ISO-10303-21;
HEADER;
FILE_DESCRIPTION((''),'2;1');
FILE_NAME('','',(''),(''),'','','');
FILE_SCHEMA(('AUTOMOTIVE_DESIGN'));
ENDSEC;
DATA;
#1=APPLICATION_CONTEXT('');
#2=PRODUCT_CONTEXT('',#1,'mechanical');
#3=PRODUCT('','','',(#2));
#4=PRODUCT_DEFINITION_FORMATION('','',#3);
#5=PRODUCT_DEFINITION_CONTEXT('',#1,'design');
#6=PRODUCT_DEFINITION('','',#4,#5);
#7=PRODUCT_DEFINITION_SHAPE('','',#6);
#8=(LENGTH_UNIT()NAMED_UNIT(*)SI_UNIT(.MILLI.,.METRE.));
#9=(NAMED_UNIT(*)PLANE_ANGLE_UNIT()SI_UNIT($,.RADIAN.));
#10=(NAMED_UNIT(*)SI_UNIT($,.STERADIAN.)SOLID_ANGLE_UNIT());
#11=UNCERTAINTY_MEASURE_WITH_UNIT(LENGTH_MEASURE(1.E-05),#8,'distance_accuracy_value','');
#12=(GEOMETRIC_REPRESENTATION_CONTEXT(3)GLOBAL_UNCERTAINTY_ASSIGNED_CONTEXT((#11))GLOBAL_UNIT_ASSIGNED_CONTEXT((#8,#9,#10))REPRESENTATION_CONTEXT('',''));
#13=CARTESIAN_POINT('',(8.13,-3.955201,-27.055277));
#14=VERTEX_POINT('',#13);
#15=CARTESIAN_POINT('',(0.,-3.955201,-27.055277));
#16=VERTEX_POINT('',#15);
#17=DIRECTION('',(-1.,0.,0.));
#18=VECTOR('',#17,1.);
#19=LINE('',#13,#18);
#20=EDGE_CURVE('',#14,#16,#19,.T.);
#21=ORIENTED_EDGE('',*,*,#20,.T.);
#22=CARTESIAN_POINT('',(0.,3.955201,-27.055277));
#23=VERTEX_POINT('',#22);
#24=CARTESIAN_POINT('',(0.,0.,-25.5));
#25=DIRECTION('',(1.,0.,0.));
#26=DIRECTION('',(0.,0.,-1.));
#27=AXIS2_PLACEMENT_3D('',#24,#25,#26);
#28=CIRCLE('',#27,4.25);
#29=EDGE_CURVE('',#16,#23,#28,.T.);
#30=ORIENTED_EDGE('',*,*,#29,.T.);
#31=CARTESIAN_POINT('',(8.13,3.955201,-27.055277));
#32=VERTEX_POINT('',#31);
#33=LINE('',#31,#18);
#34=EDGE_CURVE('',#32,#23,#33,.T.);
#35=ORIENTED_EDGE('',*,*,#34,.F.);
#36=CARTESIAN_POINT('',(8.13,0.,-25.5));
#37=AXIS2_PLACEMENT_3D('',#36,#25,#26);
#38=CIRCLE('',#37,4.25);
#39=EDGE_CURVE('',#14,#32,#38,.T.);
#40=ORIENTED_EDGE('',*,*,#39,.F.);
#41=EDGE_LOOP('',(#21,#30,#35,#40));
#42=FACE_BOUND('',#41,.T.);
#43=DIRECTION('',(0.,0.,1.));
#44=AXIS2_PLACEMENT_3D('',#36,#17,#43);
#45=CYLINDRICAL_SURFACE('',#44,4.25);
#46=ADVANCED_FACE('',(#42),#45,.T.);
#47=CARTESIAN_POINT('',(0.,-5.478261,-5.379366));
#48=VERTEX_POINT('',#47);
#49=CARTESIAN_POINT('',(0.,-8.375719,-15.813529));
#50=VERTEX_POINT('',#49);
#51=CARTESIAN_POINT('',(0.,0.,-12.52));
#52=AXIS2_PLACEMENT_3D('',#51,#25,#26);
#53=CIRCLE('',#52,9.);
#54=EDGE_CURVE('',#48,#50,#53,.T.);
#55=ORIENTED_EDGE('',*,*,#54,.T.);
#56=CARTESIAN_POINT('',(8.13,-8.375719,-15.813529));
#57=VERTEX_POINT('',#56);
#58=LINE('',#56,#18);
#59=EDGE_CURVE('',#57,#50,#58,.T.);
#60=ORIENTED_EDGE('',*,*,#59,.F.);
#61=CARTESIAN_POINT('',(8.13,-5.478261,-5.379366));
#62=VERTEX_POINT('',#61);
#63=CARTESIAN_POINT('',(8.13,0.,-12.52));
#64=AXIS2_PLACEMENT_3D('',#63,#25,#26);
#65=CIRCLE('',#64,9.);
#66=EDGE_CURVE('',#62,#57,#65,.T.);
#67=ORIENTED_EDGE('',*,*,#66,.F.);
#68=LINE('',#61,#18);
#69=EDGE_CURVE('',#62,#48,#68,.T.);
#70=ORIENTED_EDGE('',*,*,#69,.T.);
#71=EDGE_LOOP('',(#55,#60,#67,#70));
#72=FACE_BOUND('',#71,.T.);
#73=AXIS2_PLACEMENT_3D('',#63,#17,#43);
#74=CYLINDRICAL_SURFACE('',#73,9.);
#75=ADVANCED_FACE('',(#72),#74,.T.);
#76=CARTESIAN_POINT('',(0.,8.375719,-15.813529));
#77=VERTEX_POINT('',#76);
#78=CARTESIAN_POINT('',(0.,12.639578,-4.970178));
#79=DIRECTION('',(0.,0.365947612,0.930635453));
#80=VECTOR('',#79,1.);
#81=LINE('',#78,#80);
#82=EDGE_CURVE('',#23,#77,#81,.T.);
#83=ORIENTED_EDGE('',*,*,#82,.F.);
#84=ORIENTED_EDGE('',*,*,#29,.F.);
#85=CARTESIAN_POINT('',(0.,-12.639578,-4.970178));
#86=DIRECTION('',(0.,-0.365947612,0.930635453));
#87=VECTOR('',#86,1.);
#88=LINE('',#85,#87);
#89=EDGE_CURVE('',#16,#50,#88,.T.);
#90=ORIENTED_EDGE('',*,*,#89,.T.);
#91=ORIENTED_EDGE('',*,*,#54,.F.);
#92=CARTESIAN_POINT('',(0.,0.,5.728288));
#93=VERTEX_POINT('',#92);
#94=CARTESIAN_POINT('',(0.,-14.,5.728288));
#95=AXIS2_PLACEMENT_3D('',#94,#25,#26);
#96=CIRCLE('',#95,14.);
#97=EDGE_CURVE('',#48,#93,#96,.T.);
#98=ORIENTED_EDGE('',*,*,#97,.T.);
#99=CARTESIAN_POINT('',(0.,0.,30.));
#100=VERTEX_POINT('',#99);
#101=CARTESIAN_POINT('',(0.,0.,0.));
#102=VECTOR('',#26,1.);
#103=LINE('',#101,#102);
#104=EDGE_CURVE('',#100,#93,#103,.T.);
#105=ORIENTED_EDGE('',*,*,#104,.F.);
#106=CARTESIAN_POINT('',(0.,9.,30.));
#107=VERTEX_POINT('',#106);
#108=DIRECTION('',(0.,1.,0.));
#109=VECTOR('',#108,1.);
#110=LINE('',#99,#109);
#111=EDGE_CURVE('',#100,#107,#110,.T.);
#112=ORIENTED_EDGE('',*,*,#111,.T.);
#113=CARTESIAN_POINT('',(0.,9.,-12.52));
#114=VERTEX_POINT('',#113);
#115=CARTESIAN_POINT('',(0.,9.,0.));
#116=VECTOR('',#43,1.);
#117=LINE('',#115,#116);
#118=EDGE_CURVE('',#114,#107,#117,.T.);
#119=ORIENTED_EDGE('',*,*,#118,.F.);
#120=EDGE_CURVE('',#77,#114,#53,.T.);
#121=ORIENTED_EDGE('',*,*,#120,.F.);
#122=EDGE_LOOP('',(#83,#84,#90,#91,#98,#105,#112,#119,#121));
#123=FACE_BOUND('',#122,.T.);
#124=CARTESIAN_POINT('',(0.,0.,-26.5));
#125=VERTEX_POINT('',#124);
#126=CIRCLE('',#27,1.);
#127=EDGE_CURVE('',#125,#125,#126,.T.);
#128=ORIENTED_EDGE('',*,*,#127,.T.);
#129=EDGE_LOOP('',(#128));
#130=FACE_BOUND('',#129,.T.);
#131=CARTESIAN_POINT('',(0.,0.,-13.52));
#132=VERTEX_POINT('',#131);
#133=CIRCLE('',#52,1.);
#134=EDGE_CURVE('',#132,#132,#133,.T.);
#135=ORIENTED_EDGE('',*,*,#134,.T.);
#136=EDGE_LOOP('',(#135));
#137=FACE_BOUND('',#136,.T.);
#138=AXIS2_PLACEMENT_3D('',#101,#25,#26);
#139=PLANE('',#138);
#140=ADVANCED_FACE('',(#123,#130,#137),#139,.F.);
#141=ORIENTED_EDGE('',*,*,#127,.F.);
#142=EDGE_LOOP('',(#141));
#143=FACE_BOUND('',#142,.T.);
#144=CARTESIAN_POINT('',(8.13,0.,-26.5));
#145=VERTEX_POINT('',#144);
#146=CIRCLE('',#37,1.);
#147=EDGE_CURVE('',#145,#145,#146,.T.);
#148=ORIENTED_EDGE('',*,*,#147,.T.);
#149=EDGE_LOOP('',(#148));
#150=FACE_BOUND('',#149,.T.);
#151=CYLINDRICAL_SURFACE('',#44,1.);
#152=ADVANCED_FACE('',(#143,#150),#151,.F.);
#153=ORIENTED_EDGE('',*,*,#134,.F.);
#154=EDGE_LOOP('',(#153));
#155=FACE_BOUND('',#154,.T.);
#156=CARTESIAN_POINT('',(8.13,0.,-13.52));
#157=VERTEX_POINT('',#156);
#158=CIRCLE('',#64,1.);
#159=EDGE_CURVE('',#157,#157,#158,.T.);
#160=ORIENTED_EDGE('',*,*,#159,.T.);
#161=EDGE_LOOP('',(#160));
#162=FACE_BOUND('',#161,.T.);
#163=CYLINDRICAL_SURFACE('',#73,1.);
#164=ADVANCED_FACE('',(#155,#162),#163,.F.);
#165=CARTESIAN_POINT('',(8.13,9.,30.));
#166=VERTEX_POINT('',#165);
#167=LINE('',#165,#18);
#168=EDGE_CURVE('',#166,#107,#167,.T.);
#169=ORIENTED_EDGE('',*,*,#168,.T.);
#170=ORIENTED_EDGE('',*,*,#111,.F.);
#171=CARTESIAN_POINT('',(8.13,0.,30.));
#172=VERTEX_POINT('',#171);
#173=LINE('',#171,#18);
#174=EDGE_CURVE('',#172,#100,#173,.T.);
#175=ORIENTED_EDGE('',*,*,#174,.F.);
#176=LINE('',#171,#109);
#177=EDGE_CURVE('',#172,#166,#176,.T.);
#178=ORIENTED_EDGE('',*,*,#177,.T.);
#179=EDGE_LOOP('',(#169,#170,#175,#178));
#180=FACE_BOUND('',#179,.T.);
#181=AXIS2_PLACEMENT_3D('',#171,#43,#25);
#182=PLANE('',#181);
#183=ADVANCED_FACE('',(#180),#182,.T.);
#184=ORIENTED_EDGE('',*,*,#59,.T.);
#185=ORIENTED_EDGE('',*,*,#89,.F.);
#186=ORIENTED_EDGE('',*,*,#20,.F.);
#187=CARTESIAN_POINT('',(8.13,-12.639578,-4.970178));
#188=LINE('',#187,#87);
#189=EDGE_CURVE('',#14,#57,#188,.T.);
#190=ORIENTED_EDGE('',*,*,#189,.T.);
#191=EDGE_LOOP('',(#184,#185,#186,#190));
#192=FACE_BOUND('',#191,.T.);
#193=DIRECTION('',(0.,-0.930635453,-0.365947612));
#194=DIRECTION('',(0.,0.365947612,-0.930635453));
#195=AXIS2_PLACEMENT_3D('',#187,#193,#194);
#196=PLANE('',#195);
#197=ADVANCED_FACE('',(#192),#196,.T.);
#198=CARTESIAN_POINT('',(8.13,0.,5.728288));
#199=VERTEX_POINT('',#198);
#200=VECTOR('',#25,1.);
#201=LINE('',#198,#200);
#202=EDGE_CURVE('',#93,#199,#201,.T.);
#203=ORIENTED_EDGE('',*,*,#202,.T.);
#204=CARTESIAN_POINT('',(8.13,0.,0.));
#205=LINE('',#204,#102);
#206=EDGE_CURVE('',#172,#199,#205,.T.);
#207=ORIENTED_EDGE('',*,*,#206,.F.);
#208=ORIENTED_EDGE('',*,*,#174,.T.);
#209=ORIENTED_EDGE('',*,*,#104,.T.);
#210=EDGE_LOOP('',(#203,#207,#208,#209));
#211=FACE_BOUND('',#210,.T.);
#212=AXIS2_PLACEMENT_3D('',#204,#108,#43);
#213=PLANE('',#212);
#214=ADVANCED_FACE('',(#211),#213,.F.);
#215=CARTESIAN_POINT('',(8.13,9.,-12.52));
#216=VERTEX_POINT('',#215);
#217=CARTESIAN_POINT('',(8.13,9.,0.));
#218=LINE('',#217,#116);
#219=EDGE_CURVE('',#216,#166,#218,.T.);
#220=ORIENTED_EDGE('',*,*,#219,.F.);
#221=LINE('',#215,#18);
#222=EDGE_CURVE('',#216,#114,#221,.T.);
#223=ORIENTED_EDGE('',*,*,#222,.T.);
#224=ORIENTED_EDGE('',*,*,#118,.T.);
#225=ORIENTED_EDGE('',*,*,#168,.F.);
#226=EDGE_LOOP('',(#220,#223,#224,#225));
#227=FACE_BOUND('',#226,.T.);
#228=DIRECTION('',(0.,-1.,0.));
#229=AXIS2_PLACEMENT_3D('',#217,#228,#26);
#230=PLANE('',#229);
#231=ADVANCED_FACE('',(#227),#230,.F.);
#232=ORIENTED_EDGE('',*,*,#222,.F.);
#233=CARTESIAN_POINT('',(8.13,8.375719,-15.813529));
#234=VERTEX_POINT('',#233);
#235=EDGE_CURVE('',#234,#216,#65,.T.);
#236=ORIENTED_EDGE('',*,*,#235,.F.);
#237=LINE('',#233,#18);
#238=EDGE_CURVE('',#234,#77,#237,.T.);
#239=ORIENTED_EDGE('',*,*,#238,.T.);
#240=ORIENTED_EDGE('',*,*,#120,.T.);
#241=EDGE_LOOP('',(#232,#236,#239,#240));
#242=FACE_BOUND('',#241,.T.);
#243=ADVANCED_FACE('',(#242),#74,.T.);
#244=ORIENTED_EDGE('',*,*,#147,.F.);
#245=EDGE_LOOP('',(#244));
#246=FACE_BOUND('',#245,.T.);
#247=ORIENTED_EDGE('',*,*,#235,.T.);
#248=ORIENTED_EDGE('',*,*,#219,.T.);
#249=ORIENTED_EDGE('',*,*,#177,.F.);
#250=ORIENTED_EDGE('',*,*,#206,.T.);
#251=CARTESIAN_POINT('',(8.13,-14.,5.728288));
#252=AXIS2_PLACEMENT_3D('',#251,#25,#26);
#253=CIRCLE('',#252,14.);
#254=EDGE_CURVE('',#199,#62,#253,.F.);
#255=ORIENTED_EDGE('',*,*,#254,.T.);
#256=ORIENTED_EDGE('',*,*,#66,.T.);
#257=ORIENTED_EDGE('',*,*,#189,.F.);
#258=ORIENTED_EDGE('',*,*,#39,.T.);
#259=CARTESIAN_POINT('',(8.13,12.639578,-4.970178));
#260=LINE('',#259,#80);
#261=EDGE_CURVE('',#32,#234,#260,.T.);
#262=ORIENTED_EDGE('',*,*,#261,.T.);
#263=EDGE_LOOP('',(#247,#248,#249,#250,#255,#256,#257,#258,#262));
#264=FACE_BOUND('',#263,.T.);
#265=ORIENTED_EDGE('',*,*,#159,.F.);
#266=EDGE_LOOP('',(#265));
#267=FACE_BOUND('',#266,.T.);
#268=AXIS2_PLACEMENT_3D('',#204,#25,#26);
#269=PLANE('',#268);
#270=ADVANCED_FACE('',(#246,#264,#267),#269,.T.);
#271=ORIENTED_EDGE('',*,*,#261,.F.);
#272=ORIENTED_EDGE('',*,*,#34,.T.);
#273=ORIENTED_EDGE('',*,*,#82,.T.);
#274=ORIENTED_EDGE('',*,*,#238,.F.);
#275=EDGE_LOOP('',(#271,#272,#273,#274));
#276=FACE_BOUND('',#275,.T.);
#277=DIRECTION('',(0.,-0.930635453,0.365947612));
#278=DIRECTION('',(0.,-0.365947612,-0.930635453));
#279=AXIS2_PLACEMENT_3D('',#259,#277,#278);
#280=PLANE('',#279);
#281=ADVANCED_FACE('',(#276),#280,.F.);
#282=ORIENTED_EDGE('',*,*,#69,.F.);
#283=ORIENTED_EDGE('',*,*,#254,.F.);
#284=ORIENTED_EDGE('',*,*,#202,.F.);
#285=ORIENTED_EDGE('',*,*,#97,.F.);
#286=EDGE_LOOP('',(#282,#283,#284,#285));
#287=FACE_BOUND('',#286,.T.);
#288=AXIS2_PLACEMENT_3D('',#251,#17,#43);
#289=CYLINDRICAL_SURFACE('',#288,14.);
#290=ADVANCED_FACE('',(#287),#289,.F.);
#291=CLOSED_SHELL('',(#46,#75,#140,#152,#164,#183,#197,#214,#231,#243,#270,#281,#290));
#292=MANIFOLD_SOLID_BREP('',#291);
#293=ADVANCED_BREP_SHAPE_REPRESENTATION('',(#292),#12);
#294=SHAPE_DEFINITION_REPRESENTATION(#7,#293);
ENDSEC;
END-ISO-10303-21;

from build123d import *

# Parameters (mm, degrees)
EXTRUDE_1_DEPTH = 8.13
FILLET_1_R      = 14


with BuildPart() as part:
    # 草图1 → 凸台-拉伸1 (new body)
    with BuildSketch(Plane(origin=(0, 0, 0), x_dir=(0, 0, -1), z_dir=(1, 0, 0))):
        with BuildLine():
            Line((-30, 4.725), (4.860079961, 4.725))
            ThreePointArc((4.860079961, 4.725), (8.133942545, 7.858912138), (12.52, 9))
            Line((12.52, 9), (-30, 9))
            Line((-30, 9), (-30, 4.725))
        make_face()
        with BuildLine():
            ThreePointArc((12.52, 9), (8.133942545, 7.858912138), (4.860079961, 4.725))
            Line((4.860079961, 4.725), (20.179920039, 4.725))
            ThreePointArc((20.179920039, 4.725), (18.292906217, 6.904603813), (15.813528505, 8.375719073))
            ThreePointArc((15.813528505, 8.375719073), (14.196085968, 8.842552563), (12.52, 9))
        make_face()
        with BuildLine():
            ThreePointArc((11.52, 0), (12.52, 1), (13.52, 0))
            Line((13.52, 0), (21.25, 0))
            ThreePointArc((21.25, 0), (21.296353514, 0.625984202), (21.434402928, 1.238313549))
            ThreePointArc((21.434402928, 1.238313549), (20.988547163, 3.046917943), (20.179920039, 4.725))
            Line((20.179920039, 4.725), (4.860079961, 4.725))
            ThreePointArc((4.860079961, 4.725), (3.861498965, 2.455679097), (3.52, 0))
            Line((3.52, 0), (11.52, 0))
        make_face()
        with BuildLine():
            ThreePointArc((21.434402928, 1.238313549), (21.498575231, 0.620634213), (21.52, 0))
            Line((21.52, 0), (24.5, 0))
            ThreePointArc((24.5, 0), (25.5, 1), (26.5, 0))
            Line((26.5, 0), (29.75, 0))
            ThreePointArc((29.75, 0), (29.012294744, 2.392965865), (27.05527735, 3.955200673))
            ThreePointArc((27.05527735, 3.955200673), (23.650460817, 3.826448067), (21.434402928, 1.238313549))
        make_face()
        with BuildLine():
            Line((24.5, 0), (21.52, 0))
            ThreePointArc((21.52, 0), (21.498575231, -0.620634213), (21.434402928, -1.238313549))
            ThreePointArc((21.434402928, -1.238313549), (23.650460817, -3.826448067), (27.05527735, -3.955200673))
            ThreePointArc((27.05527735, -3.955200673), (29.012294744, -2.392965865), (29.75, 0))
            Line((29.75, 0), (26.5, 0))
            ThreePointArc((26.5, 0), (25.5, -1), (24.5, 0))
        make_face()
        with BuildLine():
            ThreePointArc((20.179920039, 4.725), (20.988547163, 3.046917943), (21.434402928, 1.238313549))
            ThreePointArc((21.434402928, 1.238313549), (23.650460817, 3.826448067), (27.05527735, 3.955200673))
            Line((27.05527735, 3.955200673), (25.097613132, 4.725))
            Line((25.097613132, 4.725), (20.179920039, 4.725))
        make_face()
        with BuildLine():
            ThreePointArc((15.813528505, 8.375719073), (18.292906217, 6.904603813), (20.179920039, 4.725))
            Line((20.179920039, 4.725), (25.097613132, 4.725))
            Line((25.097613132, 4.725), (15.813528505, 8.375719073))
        make_face()
        with BuildLine():
            Line((-30, 0), (3.52, 0))
            ThreePointArc((3.52, 0), (3.861498965, 2.455679097), (4.860079961, 4.725))
            Line((4.860079961, 4.725), (-30, 4.725))
            Line((-30, 4.725), (-30, 0))
        make_face()
        with BuildLine():
            Line((21.25, 0), (13.52, 0))
            ThreePointArc((13.52, 0), (12.52, -1), (11.52, 0))
            Line((11.52, 0), (3.52, 0))
            ThreePointArc((3.52, 0), (3.861498965, -2.455679097), (4.860079961, -4.725))
            Line((4.860079961, -4.725), (20.179920039, -4.725))
            ThreePointArc((20.179920039, -4.725), (20.988547163, -3.046917943), (21.434402928, -1.238313549))
            ThreePointArc((21.434402928, -1.238313549), (21.296353514, -0.625984202), (21.25, 0))
        make_face()
        with BuildLine():
            Line((20.179920039, -4.725), (4.860079961, -4.725))
            ThreePointArc((4.860079961, -4.725), (9.674252086, -8.538250336), (15.813528505, -8.375719073))
            ThreePointArc((15.813528505, -8.375719073), (18.292906217, -6.904603813), (20.179920039, -4.725))
        make_face()
        with BuildLine():
            ThreePointArc((27.05527735, -3.955200673), (23.650460817, -3.826448067), (21.434402928, -1.238313549))
            ThreePointArc((21.434402928, -1.238313549), (20.988547163, -3.046917943), (20.179920039, -4.725))
            Line((20.179920039, -4.725), (25.097613132, -4.725))
            Line((25.097613132, -4.725), (27.05527735, -3.955200673))
        make_face()
        with BuildLine():
            ThreePointArc((21.434402928, 1.238313549), (21.296353514, 0.625984202), (21.25, 0))
            Line((21.25, 0), (21.52, 0))
            ThreePointArc((21.52, 0), (21.498575231, 0.620634213), (21.434402928, 1.238313549))
        make_face()
        with BuildLine():
            Line((21.52, 0), (21.25, 0))
            ThreePointArc((21.25, 0), (21.296353514, -0.625984202), (21.434402928, -1.238313549))
            ThreePointArc((21.434402928, -1.238313549), (21.498575231, -0.620634213), (21.52, 0))
        make_face()
        with BuildLine():
            Line((25.097613132, -4.725), (20.179920039, -4.725))
            ThreePointArc((20.179920039, -4.725), (18.292906217, -6.904603813), (15.813528505, -8.375719073))
            Line((15.813528505, -8.375719073), (25.097613132, -4.725))
        make_face()
    extrude(amount=EXTRUDE_1_DEPTH)

    # 圆角1
    fillet_1_edges = [part.edges().sort_by_distance(p)[0] for p in [
        (4.065, 0, -3.52),
    ]]
    fillet(fillet_1_edges, radius=FILLET_1_R)


solid = part.part
